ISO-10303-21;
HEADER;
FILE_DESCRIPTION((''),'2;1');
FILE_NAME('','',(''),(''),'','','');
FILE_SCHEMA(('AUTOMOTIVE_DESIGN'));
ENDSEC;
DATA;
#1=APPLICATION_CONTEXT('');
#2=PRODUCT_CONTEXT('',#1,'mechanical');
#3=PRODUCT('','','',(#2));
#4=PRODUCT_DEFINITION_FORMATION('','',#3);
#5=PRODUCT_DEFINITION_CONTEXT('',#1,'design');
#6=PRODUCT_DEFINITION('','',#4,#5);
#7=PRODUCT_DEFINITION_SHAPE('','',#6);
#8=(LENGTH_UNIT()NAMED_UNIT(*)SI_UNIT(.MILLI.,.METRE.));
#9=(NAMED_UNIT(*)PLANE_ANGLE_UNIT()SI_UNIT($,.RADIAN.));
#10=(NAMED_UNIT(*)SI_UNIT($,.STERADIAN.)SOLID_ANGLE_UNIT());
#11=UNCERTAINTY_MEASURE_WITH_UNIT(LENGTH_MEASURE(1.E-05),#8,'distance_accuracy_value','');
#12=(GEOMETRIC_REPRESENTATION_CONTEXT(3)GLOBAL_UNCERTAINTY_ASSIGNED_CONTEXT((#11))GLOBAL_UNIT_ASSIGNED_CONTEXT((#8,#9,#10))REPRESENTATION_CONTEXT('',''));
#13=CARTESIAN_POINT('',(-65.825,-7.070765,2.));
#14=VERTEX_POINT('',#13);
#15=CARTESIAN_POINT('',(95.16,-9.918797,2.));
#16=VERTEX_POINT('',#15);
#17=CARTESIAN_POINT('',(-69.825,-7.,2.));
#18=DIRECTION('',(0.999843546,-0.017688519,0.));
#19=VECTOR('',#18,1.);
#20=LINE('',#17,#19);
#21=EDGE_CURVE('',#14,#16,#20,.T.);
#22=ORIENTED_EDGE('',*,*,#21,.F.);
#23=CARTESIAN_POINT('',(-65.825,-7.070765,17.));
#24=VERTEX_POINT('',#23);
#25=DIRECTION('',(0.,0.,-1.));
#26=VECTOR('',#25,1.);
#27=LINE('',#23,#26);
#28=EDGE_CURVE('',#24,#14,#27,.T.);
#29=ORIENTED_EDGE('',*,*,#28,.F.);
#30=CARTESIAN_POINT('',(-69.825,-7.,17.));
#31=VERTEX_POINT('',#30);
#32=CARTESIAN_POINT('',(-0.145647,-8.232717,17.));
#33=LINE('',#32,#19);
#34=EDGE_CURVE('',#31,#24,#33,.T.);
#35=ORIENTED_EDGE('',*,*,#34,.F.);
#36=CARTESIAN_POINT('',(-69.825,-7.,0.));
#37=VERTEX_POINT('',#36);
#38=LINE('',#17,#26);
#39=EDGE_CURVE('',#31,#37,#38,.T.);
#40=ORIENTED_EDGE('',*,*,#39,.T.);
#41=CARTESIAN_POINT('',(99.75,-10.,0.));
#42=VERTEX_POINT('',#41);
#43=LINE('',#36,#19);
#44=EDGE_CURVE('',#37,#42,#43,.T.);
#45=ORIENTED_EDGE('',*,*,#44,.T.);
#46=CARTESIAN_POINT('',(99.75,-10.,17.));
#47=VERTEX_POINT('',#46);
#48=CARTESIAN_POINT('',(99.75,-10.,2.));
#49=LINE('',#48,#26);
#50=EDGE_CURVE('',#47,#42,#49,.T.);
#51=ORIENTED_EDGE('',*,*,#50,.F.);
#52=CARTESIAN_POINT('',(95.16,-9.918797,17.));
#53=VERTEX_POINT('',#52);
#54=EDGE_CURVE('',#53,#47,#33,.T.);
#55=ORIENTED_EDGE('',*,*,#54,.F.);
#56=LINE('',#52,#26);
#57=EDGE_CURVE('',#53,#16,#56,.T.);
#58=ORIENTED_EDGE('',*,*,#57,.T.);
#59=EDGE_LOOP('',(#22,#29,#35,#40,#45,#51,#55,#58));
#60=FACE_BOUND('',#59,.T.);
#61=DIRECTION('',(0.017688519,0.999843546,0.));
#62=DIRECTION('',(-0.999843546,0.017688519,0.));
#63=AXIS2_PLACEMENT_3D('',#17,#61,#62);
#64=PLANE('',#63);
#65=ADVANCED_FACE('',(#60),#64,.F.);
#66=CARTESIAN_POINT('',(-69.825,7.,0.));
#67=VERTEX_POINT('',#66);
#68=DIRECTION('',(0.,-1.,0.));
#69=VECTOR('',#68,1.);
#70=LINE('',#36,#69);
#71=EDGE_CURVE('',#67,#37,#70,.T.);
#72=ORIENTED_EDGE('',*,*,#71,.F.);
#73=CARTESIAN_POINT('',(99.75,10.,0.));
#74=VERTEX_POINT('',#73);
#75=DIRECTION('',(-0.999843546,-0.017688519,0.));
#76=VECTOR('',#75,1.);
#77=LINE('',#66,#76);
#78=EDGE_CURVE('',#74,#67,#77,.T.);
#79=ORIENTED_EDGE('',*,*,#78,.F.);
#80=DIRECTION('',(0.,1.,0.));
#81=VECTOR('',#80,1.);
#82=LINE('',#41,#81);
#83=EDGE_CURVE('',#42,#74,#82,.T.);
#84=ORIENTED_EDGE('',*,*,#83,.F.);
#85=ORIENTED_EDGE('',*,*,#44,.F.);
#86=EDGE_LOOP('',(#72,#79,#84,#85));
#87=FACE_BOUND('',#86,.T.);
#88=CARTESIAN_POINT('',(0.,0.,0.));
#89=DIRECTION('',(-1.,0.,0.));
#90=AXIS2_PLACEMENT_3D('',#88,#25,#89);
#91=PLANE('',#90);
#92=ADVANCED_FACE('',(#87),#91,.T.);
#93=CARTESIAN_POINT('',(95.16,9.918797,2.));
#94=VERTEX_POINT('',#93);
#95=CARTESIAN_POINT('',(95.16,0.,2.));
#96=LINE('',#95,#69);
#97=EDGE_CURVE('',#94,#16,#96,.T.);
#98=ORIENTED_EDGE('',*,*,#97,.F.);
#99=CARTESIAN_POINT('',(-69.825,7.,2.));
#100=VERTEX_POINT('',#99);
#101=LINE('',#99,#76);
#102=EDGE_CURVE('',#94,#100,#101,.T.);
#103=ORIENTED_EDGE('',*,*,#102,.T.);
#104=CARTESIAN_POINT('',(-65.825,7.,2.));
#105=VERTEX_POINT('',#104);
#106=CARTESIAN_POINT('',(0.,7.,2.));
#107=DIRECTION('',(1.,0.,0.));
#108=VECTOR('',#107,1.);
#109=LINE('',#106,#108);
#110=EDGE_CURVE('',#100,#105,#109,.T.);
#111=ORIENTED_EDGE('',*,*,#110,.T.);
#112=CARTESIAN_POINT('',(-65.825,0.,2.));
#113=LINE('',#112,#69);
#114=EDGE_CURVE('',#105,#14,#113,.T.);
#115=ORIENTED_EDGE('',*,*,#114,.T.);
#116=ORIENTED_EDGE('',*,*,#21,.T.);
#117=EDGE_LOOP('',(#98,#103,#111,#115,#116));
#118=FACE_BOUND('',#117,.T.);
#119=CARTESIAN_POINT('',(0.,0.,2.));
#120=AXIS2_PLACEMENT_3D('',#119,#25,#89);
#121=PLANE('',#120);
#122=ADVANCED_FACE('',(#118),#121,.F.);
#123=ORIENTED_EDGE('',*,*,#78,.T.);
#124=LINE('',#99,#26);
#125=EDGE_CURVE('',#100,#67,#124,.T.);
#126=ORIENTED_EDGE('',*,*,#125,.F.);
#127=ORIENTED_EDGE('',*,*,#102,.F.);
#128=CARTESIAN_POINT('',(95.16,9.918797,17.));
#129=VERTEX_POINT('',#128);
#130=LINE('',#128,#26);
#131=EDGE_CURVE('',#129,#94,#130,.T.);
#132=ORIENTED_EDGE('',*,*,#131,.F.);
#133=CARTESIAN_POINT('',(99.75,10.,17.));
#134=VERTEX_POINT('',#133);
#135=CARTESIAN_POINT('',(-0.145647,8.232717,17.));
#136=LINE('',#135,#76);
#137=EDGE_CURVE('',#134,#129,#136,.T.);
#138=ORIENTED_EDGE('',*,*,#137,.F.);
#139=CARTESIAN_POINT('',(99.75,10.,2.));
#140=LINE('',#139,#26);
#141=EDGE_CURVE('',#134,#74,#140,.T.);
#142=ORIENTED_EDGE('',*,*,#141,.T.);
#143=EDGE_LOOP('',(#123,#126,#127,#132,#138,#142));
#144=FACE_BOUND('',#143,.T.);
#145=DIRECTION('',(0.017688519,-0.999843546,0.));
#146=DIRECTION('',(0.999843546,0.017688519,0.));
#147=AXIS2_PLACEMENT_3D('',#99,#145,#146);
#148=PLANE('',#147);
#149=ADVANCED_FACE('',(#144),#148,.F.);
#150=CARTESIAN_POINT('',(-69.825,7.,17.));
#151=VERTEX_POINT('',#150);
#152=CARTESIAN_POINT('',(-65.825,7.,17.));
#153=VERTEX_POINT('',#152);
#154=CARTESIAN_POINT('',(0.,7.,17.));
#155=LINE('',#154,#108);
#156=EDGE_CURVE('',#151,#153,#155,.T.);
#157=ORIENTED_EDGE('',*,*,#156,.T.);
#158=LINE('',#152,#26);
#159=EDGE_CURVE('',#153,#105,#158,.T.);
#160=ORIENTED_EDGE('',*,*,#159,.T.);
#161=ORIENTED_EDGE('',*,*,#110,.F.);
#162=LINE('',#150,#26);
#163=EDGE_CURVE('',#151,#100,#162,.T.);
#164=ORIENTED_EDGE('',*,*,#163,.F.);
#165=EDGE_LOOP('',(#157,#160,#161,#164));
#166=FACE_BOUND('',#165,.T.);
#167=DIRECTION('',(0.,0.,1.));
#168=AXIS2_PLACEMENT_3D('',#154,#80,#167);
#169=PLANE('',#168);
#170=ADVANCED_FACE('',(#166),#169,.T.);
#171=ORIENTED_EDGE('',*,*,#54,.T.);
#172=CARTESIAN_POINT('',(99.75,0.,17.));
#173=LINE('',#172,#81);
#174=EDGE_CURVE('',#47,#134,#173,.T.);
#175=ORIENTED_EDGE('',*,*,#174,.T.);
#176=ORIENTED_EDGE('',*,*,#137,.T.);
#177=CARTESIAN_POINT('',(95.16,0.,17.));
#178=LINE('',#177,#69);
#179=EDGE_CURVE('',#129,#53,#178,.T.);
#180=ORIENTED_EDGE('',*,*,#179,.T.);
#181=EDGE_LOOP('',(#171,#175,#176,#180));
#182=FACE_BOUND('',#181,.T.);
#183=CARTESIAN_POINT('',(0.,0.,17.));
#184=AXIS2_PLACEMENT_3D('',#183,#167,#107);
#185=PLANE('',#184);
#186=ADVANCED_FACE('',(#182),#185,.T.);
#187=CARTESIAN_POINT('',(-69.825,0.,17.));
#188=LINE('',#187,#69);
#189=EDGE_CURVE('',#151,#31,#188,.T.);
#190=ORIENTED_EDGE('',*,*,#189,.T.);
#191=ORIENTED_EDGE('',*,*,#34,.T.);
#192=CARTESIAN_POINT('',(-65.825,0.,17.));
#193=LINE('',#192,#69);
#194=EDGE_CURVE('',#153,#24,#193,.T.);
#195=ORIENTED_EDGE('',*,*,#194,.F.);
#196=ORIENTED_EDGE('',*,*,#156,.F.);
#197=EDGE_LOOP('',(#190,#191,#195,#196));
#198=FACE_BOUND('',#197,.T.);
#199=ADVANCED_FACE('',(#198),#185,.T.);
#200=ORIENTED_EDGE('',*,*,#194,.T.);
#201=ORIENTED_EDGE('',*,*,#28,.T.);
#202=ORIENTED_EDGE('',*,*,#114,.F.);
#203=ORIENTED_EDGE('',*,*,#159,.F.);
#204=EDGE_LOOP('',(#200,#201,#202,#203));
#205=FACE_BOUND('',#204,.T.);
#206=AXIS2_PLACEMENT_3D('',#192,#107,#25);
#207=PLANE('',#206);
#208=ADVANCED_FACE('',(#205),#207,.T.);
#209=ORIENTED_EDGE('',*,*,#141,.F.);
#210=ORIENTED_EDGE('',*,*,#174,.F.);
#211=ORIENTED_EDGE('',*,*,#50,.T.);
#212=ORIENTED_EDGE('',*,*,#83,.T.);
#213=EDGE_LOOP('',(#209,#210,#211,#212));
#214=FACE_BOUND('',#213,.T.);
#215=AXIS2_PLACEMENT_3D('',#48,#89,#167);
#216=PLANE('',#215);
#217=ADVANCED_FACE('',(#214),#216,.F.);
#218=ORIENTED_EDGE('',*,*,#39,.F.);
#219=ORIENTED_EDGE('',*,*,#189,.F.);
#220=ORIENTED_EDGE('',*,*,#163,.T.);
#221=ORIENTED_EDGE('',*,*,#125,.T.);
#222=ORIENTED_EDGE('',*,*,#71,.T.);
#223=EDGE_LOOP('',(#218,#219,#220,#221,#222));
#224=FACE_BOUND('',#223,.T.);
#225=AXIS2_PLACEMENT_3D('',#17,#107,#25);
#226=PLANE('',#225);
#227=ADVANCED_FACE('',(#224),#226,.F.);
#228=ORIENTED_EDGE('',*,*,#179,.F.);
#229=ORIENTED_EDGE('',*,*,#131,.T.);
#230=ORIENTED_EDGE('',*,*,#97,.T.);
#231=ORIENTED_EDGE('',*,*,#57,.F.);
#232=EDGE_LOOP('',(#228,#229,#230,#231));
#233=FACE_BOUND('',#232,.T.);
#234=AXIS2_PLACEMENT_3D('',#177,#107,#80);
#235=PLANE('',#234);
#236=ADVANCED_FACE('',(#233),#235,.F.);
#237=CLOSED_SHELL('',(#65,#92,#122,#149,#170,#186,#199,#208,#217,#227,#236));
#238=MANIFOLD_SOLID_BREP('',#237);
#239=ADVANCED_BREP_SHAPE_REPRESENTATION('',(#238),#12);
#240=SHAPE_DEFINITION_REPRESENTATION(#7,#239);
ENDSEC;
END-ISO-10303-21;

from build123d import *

# Parameters (mm, degrees)
EXTRUDE_1_DEPTH = 2
EXTRUDE_2_DEPTH = 15


with BuildPart() as part:
    # 스케치1 → 보스-돌출1 (new body)
    with BuildSketch(Plane.XY):
        Polygon((-69.825, -7), (99.75, -10), (99.75, 10), (-69.825, 7), align=None)
    extrude(amount=EXTRUDE_1_DEPTH)

    # 스케치2 → 보스-돌출2 (add)
    with BuildSketch(Plane.XY.offset(2)):
        Polygon((-65.825, 7), (-69.825, 7), (-69.825, -7), (-65.825, -7.070765148), align=None)
        Polygon((99.75, 10), (95.16, 9.918796992), (95.16, -9.918796992), (99.75, -9.918796992), align=None)
        Polygon((99.75, -9.918796992), (95.16, -9.918796992), (99.75, -10), align=None)
    extrude(amount=EXTRUDE_2_DEPTH)


solid = part.part
